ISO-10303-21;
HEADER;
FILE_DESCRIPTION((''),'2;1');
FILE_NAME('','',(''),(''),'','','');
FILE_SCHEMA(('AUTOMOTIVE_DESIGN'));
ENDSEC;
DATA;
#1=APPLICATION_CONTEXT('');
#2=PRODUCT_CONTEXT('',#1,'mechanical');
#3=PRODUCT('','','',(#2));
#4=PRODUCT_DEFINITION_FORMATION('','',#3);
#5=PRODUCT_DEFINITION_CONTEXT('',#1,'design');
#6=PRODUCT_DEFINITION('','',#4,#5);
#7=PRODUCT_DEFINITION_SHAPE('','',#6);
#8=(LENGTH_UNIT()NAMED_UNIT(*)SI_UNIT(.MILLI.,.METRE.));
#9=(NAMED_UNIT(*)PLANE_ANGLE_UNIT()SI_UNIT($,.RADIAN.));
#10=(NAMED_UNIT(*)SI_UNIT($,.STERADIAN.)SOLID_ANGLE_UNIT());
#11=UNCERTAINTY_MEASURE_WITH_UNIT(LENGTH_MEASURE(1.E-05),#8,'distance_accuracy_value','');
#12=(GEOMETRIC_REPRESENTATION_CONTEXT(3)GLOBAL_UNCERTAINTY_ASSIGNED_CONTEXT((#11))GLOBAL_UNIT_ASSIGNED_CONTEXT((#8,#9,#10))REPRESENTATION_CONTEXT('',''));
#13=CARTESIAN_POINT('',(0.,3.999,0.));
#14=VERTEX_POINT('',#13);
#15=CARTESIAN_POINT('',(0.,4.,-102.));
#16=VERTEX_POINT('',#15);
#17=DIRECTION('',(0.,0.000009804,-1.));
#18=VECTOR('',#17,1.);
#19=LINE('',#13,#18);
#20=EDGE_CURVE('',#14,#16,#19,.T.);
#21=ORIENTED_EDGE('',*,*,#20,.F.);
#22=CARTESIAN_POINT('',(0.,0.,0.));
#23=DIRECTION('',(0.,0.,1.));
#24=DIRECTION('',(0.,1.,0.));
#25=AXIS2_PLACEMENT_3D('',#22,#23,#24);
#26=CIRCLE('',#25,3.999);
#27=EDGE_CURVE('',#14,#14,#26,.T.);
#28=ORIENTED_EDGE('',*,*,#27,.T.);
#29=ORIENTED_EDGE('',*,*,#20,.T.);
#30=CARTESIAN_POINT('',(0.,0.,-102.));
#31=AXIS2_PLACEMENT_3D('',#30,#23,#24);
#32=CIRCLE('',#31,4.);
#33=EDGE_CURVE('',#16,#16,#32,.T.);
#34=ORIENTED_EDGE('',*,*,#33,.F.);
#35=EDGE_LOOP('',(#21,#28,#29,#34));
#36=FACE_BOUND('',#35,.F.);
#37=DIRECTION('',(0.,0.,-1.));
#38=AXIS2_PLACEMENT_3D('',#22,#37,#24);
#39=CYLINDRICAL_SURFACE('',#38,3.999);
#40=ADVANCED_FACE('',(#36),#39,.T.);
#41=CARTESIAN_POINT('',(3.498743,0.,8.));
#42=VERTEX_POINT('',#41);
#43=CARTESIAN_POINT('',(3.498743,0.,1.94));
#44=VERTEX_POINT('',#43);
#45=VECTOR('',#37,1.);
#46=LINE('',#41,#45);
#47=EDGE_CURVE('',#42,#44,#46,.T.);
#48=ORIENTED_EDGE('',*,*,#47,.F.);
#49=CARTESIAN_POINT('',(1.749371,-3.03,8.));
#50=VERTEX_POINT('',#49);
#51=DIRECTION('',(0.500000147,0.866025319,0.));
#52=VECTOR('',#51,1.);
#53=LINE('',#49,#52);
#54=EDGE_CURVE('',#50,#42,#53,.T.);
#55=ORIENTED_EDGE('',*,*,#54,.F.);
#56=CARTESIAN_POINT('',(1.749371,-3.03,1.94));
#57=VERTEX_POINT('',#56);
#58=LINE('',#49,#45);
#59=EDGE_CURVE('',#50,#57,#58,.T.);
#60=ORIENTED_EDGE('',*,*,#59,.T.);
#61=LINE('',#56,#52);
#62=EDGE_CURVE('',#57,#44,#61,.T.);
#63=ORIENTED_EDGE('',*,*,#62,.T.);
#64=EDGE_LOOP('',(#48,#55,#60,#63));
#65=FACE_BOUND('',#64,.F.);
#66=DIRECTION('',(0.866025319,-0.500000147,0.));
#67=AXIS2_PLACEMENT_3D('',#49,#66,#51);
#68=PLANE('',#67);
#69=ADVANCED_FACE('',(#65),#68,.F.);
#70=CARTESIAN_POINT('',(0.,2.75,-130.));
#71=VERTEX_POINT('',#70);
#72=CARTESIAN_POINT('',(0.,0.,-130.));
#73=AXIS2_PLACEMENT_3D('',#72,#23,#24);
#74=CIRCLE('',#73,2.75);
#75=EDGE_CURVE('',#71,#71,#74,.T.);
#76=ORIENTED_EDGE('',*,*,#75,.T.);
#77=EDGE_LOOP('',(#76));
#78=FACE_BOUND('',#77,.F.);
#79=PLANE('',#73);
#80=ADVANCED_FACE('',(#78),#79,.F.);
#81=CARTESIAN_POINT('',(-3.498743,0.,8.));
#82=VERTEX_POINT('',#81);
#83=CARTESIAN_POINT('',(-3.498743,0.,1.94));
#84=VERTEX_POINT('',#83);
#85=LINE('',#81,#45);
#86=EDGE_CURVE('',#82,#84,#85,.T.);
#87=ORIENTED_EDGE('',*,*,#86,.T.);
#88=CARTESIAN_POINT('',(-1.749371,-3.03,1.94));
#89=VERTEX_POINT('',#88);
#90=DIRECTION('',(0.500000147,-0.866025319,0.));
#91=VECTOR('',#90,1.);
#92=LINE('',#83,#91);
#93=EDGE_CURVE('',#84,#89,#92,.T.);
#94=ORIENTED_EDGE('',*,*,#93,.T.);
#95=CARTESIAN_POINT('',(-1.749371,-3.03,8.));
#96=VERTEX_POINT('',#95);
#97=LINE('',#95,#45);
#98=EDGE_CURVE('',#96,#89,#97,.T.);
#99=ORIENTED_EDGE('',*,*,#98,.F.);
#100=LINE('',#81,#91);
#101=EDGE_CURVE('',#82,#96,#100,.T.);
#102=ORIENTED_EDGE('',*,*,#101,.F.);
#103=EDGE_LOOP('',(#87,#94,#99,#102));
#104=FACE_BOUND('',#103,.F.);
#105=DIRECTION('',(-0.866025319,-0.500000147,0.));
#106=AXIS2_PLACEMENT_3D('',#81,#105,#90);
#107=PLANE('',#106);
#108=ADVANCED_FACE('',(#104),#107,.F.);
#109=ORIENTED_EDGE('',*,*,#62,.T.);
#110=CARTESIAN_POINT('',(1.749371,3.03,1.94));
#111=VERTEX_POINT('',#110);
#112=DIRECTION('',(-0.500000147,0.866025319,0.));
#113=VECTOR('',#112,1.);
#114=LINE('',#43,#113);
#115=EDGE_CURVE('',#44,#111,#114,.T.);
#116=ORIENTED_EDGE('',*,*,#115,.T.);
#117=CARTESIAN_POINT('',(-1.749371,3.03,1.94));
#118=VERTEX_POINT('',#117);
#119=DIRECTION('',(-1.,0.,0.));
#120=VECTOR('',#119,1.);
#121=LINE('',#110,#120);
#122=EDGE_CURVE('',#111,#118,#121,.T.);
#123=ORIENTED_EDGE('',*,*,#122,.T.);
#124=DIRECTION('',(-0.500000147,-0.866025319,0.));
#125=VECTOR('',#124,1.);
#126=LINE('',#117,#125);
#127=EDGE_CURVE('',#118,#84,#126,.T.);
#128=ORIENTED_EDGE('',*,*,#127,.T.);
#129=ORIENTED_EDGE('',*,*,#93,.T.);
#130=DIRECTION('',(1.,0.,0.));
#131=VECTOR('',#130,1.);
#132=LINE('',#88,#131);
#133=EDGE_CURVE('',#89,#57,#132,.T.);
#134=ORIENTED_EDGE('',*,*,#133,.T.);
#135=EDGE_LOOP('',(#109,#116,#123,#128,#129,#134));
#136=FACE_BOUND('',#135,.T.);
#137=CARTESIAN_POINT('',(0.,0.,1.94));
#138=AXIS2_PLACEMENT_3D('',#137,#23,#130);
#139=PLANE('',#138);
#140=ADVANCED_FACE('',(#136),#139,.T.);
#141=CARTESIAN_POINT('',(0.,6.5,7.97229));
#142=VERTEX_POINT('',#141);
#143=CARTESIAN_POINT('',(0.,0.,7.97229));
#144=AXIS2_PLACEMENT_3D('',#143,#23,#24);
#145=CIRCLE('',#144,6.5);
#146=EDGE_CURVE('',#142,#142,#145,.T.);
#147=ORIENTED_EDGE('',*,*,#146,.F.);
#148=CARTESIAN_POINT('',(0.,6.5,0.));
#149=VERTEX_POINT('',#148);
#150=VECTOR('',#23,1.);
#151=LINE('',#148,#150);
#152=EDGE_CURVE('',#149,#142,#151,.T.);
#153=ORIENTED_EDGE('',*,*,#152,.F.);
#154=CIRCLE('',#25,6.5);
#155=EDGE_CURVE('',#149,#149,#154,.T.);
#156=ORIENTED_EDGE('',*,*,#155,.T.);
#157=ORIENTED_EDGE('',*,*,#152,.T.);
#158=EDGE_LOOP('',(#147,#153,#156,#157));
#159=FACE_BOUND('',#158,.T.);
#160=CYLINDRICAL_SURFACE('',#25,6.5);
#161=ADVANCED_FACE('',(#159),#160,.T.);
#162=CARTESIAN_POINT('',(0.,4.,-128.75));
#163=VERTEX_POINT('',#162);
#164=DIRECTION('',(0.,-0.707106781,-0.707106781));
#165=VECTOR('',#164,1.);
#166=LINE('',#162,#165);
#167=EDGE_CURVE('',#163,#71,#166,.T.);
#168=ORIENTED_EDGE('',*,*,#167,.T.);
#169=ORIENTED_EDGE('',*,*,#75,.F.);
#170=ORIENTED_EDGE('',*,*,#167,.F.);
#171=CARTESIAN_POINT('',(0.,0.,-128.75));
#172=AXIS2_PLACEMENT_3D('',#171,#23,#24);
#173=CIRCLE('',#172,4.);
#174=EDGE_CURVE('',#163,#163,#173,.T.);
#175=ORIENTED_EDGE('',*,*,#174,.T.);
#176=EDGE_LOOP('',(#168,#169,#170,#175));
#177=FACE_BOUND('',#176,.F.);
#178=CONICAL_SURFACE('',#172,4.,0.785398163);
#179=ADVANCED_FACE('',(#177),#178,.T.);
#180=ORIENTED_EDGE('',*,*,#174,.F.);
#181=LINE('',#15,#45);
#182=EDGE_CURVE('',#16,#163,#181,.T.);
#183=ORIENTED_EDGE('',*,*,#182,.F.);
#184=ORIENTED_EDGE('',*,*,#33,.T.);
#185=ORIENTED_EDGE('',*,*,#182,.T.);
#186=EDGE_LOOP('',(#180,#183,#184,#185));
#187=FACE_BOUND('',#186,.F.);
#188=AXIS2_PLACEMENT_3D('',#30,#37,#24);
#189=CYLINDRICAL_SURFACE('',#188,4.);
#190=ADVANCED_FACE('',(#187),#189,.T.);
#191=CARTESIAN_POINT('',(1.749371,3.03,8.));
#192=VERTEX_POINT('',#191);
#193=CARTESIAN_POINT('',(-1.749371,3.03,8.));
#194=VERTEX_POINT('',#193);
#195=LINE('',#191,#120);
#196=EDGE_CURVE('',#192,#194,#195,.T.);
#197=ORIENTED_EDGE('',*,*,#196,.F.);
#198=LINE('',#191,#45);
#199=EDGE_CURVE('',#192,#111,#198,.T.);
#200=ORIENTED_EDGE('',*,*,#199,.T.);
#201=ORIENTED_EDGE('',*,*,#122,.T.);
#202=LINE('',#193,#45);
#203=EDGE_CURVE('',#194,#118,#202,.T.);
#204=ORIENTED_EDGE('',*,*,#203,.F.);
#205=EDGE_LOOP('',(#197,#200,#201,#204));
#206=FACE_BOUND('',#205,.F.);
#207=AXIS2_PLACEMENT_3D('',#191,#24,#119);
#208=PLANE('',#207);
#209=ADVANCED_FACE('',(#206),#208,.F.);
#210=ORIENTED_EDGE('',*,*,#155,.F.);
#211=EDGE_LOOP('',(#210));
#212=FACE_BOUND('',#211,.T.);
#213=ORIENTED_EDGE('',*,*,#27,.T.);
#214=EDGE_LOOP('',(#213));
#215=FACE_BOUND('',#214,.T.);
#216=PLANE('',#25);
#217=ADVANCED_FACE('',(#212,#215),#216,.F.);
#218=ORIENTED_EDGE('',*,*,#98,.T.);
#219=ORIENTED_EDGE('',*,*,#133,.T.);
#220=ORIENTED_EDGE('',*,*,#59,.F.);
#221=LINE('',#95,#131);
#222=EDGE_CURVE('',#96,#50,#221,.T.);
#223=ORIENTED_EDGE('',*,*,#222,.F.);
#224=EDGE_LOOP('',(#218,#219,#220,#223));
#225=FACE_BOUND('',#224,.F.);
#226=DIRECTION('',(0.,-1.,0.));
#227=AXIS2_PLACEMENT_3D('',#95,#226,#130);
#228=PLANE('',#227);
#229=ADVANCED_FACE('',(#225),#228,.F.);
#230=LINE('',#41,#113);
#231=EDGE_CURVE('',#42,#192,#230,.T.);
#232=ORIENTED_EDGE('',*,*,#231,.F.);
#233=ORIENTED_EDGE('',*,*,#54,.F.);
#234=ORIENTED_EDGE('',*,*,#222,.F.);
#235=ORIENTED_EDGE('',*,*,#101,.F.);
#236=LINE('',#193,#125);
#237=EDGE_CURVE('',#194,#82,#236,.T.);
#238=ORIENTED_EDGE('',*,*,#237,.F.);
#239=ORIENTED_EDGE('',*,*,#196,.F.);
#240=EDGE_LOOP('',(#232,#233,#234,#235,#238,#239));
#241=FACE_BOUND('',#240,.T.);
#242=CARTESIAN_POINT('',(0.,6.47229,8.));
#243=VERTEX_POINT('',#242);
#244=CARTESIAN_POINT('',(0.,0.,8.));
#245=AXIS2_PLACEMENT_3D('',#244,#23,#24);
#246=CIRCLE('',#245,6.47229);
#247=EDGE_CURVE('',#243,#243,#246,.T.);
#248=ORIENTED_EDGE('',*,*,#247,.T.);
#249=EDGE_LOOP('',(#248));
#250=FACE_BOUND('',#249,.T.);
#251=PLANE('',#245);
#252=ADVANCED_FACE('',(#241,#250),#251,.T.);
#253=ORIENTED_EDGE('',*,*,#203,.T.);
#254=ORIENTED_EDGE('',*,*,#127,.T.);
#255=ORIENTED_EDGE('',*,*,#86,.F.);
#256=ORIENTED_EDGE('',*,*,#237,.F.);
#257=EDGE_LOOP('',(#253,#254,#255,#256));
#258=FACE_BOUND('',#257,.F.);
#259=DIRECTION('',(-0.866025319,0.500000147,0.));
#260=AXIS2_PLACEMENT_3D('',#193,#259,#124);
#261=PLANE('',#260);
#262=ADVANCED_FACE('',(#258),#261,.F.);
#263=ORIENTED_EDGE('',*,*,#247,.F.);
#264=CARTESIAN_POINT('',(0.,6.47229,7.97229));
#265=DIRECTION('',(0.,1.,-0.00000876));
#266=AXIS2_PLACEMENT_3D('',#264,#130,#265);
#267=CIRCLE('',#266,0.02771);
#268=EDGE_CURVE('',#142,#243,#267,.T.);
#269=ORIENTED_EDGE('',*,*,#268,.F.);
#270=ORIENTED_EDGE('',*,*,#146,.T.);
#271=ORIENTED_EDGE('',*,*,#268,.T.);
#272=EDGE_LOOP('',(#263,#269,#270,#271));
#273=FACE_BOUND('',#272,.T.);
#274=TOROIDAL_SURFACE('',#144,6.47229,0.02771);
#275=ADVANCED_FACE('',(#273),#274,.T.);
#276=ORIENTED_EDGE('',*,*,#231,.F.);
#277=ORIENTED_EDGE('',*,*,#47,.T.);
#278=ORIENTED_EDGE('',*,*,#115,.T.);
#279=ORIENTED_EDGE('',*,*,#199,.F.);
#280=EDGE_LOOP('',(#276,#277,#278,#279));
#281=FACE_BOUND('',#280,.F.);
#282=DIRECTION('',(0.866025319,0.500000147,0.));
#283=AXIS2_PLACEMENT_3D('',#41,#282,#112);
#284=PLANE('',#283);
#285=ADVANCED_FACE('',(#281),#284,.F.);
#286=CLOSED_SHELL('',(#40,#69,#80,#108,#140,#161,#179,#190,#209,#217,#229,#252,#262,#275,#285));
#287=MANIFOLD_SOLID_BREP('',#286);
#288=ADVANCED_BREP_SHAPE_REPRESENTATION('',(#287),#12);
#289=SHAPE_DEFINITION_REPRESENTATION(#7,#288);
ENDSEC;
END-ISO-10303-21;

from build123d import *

# Parameters (mm, degrees)
POCKET_DEPTH = 6.06


with BuildPart() as part:
    # Sketch → Revolve (revolve)
    with BuildSketch(Plane.YZ):
        with BuildLine():
            Line((3.999, 0), (6.5, 0))
            Line((6.5, 0), (6.5, 7.97229))
            ThreePointArc((6.5, 7.97229), (6.491884, 7.991884), (6.47229, 8))
            Line((6.47229, 8), (0, 8))
            Line((0, -130), (0, 8))
            Line((2.75, -130), (0, -130))
            Line((4, -128.75), (2.75, -130))
            Line((4, -102), (4, -128.75))
            Line((3.999, 0), (4, -102))
        make_face()
    revolve(axis=Axis((0, 0, 0), (0, 0, 1)))

    # Sketch001 → Pocket (cut)
    with BuildSketch(Plane.XY.offset(8)):
        Polygon((3.498743, 0), (1.749371, 3.03), (-1.749371, 3.03), (-3.498743, 0), (-1.749371, -3.03), (1.749371, -3.03), align=None)
    extrude(amount=-POCKET_DEPTH, mode=Mode.SUBTRACT)


solid = part.part
